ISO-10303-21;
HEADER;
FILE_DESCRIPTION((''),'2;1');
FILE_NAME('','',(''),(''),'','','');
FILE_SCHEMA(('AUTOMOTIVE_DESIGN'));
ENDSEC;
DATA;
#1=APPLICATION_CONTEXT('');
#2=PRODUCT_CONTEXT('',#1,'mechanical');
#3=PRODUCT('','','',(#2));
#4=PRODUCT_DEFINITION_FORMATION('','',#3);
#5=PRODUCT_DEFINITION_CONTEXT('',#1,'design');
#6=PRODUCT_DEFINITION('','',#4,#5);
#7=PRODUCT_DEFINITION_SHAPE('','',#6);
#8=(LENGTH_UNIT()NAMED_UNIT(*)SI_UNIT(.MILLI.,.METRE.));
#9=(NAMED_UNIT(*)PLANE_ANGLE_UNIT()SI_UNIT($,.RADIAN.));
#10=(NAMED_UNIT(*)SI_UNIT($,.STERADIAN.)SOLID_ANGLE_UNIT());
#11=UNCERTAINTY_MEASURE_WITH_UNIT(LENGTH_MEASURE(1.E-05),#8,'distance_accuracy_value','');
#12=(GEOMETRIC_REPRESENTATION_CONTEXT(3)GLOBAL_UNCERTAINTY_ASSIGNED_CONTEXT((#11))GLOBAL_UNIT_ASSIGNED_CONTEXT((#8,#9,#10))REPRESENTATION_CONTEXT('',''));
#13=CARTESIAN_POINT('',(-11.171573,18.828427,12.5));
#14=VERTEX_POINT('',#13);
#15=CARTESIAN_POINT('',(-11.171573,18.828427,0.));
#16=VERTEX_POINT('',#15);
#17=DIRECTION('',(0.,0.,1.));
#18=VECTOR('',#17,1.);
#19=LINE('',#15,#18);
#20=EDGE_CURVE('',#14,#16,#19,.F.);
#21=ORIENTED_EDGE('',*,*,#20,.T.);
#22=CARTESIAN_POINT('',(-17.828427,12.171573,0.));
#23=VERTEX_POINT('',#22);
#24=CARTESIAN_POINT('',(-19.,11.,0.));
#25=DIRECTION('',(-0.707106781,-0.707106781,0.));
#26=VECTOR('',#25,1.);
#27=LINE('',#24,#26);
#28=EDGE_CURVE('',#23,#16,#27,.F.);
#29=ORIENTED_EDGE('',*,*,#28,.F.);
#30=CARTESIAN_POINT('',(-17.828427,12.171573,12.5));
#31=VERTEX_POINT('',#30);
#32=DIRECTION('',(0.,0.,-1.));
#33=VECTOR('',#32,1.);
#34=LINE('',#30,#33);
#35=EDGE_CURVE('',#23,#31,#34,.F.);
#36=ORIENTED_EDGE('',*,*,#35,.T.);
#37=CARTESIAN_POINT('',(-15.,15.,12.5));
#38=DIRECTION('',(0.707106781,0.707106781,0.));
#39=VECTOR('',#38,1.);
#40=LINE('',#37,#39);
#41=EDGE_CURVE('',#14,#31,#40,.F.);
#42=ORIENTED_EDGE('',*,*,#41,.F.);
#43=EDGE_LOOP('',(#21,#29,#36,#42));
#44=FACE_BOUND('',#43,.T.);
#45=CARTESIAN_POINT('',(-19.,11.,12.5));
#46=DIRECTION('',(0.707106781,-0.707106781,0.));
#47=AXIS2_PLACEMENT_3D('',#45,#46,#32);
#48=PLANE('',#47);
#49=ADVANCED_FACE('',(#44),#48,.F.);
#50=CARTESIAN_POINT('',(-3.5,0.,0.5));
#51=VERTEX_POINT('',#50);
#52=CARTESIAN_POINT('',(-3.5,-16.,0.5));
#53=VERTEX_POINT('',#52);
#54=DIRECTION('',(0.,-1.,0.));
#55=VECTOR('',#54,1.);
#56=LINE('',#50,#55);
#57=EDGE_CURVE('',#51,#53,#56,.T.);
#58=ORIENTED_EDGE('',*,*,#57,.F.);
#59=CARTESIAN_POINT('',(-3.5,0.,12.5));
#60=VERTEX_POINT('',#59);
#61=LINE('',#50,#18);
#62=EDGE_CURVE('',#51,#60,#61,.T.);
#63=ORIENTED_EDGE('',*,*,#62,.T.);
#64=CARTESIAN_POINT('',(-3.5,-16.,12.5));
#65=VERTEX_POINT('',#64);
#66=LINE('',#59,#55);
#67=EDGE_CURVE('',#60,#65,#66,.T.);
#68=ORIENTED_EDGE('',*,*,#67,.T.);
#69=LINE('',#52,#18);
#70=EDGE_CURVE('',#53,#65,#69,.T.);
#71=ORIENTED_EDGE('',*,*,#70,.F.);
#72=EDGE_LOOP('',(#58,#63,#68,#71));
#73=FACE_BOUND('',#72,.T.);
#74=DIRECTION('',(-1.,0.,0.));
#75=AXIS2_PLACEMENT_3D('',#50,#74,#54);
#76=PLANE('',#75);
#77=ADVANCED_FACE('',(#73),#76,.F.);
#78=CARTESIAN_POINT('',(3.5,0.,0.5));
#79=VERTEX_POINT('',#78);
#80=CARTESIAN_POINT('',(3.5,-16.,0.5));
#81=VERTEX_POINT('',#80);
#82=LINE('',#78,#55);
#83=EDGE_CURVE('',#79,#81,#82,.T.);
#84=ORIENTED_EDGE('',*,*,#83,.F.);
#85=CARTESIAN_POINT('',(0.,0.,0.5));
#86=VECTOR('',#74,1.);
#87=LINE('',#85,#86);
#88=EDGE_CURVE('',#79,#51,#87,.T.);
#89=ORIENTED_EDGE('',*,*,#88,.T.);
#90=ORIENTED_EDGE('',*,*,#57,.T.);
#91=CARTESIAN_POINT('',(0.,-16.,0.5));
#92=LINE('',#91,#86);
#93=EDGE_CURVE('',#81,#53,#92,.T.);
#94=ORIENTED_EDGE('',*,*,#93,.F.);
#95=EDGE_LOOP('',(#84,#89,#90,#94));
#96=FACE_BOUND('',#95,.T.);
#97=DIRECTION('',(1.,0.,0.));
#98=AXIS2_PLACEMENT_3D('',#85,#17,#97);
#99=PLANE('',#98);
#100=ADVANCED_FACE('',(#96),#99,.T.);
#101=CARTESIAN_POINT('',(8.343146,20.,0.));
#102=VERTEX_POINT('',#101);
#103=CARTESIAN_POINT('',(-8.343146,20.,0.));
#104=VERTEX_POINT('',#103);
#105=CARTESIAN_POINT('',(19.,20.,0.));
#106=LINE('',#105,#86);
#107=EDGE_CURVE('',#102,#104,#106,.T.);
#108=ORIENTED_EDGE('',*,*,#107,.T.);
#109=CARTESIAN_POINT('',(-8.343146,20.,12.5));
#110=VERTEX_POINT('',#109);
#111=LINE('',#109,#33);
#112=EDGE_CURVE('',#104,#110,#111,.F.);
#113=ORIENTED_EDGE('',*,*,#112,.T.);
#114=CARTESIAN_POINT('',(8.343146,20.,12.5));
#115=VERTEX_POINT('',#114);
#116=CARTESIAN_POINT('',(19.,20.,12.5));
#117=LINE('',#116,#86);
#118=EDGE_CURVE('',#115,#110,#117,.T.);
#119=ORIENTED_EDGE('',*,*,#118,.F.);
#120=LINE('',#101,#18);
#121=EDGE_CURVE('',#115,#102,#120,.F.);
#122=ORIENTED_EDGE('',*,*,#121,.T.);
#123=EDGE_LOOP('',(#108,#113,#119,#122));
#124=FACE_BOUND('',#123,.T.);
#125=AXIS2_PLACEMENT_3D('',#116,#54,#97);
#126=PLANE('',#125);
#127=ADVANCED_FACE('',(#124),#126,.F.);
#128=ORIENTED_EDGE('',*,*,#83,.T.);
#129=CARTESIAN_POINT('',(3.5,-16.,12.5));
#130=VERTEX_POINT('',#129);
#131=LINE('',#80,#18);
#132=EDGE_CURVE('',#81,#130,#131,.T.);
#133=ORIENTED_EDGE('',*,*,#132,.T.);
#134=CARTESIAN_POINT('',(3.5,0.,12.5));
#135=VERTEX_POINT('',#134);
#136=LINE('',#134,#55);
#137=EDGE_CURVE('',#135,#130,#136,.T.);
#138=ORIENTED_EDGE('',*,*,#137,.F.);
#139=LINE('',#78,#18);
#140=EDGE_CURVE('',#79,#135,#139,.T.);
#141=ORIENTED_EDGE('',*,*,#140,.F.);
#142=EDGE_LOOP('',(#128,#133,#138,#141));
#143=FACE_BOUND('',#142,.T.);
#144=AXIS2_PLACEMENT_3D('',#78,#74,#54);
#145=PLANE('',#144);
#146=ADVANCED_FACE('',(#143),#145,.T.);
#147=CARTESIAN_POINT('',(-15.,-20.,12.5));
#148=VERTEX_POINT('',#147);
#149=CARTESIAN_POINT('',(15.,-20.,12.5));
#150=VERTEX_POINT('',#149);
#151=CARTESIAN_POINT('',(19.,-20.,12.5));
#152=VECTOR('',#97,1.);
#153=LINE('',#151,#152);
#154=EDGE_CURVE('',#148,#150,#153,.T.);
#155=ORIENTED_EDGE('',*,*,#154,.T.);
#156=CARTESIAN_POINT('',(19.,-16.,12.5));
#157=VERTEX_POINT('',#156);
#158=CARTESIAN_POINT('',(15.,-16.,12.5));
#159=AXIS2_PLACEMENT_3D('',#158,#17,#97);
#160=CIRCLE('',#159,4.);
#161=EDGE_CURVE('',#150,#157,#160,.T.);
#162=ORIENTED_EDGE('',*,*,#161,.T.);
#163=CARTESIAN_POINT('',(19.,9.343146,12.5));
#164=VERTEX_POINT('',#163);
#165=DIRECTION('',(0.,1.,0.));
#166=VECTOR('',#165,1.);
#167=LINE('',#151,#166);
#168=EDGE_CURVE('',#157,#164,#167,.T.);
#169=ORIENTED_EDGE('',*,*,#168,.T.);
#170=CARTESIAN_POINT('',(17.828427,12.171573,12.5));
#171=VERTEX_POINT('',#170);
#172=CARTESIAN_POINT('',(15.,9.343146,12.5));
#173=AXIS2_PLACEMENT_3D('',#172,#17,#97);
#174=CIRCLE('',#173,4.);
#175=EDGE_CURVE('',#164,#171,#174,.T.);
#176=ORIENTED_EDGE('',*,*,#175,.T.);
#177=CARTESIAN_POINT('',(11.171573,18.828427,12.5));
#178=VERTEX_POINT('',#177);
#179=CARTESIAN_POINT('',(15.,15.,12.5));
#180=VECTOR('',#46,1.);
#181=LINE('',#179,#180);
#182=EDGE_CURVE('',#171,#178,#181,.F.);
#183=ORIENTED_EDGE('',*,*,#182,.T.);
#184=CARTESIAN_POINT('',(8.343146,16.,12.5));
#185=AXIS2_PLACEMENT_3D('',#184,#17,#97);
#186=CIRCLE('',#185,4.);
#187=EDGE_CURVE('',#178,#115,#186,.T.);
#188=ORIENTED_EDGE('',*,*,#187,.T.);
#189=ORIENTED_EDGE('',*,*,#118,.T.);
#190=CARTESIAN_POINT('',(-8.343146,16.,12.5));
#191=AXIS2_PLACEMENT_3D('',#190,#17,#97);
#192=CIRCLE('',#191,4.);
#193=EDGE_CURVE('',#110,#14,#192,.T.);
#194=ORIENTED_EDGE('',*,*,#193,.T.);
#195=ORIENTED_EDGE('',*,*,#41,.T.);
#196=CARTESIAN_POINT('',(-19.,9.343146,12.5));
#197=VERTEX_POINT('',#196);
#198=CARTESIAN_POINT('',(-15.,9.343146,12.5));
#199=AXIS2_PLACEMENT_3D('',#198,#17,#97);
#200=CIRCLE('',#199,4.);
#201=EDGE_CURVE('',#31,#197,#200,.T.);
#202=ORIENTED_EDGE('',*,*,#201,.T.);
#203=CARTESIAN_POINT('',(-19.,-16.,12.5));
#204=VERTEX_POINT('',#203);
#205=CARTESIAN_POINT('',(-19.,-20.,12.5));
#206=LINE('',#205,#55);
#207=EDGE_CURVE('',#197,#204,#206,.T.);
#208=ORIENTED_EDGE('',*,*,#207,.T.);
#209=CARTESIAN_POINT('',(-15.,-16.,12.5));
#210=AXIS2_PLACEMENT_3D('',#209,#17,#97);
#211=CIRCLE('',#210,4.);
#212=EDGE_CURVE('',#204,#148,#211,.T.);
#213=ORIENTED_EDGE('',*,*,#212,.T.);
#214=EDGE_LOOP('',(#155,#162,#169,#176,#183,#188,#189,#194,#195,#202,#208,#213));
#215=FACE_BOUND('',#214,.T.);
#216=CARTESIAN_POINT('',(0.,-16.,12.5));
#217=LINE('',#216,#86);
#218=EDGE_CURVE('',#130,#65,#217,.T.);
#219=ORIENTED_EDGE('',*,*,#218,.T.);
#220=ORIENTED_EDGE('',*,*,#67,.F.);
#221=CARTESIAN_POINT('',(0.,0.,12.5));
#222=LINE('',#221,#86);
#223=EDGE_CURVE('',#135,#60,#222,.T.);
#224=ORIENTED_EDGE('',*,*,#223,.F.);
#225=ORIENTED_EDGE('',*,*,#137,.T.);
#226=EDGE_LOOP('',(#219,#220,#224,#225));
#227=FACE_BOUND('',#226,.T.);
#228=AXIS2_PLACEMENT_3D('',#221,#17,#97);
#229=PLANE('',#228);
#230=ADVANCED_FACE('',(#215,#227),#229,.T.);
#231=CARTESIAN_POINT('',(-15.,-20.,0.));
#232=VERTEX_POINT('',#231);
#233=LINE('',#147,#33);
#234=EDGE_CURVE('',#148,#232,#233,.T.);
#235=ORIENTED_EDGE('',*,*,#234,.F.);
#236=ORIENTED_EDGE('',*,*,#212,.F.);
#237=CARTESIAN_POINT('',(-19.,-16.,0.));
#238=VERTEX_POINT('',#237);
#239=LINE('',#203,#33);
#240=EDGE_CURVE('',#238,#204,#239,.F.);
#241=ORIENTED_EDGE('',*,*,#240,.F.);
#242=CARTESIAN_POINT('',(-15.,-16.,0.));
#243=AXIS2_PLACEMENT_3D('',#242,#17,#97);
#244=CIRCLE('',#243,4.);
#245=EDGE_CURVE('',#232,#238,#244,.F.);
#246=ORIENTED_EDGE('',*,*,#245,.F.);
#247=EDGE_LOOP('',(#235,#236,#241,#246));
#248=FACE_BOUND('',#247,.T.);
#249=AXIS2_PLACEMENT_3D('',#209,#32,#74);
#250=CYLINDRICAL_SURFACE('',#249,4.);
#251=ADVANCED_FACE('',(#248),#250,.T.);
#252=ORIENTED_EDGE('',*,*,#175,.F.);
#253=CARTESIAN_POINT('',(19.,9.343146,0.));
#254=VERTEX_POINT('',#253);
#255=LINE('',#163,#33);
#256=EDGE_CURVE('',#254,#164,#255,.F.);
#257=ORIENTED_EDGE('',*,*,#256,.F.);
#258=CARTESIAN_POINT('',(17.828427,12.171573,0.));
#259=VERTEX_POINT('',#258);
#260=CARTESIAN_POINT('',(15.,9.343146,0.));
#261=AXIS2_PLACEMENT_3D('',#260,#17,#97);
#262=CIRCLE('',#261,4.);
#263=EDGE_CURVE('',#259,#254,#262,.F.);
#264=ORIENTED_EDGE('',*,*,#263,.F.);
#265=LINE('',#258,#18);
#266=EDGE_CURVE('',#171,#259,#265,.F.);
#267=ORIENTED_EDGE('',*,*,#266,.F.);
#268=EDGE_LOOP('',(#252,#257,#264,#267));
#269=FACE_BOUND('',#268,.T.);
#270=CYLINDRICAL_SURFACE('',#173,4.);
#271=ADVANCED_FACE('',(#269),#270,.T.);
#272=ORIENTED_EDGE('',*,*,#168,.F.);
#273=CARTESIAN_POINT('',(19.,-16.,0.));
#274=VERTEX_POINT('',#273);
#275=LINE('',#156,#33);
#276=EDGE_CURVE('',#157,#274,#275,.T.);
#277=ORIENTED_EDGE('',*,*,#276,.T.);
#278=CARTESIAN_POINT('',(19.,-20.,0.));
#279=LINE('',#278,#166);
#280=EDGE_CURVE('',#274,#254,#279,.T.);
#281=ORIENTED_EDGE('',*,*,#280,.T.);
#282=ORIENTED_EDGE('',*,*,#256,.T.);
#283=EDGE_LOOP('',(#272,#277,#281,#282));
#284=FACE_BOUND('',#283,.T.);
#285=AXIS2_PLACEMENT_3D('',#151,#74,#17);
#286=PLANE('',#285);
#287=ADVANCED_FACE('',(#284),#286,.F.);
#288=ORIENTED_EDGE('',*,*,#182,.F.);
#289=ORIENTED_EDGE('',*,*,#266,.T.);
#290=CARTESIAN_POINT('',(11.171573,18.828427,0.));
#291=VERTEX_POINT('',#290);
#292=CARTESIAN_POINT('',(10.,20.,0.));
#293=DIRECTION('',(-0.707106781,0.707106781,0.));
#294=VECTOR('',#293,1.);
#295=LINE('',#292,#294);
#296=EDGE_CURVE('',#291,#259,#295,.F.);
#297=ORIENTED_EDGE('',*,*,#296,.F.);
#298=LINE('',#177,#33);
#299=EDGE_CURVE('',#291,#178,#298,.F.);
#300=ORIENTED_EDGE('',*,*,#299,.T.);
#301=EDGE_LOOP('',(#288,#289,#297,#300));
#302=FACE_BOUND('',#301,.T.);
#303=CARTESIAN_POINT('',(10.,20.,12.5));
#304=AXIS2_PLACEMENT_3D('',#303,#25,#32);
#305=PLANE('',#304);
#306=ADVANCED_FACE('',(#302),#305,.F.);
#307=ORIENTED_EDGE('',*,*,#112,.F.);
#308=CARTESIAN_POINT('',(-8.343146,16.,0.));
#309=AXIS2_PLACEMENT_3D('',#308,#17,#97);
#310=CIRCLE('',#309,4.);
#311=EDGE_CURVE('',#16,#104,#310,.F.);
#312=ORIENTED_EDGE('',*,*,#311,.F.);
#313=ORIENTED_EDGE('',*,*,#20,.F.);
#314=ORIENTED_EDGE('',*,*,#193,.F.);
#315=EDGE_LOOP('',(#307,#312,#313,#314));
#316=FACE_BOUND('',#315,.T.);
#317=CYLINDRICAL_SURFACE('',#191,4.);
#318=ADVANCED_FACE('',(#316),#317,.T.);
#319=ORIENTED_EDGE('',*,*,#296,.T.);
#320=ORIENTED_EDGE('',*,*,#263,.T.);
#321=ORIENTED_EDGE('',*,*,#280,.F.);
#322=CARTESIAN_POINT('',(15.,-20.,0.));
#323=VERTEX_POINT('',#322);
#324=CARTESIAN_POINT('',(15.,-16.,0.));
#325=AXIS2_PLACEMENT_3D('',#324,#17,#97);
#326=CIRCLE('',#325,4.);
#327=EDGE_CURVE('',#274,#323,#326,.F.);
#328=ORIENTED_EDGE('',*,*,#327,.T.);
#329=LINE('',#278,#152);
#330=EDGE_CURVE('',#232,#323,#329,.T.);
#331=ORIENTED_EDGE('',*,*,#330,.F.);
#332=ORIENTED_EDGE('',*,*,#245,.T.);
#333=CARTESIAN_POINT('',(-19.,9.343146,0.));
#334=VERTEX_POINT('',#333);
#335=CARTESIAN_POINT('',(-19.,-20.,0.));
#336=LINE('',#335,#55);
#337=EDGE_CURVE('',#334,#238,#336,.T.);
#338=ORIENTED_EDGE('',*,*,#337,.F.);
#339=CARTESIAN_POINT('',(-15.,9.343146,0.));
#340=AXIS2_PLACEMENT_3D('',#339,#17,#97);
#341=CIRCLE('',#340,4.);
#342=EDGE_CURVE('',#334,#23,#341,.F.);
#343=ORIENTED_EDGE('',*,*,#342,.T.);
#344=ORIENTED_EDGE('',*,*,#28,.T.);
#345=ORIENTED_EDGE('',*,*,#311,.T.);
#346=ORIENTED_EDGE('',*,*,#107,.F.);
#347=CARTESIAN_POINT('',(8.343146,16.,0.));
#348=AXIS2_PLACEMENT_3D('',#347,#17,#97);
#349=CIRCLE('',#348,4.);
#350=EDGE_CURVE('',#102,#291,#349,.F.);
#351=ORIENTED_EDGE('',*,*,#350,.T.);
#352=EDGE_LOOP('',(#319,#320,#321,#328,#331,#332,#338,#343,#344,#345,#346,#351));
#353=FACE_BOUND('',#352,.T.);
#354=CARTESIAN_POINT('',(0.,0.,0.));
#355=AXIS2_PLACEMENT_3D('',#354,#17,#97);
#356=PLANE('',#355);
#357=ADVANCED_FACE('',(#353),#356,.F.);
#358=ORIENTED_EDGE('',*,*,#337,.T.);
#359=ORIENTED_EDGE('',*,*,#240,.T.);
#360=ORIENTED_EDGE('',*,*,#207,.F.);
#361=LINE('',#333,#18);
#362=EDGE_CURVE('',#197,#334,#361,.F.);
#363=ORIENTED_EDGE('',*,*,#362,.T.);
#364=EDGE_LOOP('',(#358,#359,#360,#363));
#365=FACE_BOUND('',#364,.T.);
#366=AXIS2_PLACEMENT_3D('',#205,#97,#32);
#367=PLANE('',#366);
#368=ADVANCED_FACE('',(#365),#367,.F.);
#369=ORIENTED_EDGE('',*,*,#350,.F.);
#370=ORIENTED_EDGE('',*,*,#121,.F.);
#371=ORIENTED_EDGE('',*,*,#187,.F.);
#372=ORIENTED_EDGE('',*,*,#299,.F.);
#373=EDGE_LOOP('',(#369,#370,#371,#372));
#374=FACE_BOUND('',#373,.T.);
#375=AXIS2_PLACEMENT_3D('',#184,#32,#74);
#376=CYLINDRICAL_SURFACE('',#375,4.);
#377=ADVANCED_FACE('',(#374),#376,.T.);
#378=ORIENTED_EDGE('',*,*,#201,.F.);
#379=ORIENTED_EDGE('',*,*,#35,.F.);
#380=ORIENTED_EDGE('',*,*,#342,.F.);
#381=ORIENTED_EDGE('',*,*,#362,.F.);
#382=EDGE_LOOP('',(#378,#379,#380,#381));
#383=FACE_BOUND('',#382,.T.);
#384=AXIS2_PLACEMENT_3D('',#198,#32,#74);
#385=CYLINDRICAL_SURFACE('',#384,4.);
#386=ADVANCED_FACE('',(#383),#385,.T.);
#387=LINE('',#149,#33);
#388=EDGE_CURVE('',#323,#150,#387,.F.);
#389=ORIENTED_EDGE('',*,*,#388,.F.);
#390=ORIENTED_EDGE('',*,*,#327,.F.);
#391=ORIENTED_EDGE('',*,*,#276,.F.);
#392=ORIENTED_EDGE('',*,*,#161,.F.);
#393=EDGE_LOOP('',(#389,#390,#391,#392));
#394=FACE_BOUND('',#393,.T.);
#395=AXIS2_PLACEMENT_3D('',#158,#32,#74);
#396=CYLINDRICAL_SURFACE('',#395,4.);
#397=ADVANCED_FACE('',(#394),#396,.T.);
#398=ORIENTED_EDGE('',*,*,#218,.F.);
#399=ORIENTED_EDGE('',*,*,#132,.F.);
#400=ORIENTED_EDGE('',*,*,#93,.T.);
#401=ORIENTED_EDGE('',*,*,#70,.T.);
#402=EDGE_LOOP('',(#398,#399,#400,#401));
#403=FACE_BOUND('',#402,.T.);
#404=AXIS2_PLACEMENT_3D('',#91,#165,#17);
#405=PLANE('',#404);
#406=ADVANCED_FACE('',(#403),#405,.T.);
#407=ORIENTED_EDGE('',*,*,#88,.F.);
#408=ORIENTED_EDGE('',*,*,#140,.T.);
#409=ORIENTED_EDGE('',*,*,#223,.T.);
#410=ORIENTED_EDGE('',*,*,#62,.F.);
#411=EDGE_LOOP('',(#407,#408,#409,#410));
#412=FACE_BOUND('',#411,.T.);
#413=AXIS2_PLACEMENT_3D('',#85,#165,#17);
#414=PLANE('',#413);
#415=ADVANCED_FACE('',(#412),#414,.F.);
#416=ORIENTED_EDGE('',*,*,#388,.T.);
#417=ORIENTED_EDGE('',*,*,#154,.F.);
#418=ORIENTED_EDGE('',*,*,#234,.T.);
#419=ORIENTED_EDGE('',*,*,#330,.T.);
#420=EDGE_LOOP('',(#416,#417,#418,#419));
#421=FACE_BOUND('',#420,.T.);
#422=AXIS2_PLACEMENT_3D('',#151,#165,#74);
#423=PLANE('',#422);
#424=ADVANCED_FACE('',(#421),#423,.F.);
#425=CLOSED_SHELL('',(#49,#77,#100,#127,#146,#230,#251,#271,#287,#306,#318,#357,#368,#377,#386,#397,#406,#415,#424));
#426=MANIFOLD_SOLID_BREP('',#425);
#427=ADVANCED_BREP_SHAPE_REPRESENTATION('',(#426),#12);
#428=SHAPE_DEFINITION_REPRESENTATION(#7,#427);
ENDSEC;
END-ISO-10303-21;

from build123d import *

# Parameters (mm, degrees)
SKETCH1_W           = 38
SKETCH1_H           = 40
BOSS_EXTRUDE1_DEPTH = 12.5
SKETCH2_W           = 7
SKETCH2_H           = 16
CUT_EXTRUDE1_DEPTH  = 12
CHAMFER1_SIZE       = 9
FILLET1_R           = 4


with BuildPart() as part:
    # Sketch1 → Boss-Extrude1 (new body)
    with BuildSketch(Plane.XY):
        Rectangle(SKETCH1_W, SKETCH1_H)
    extrude(amount=BOSS_EXTRUDE1_DEPTH)

    # Sketch2 → Cut-Extrude1 (cut)
    with BuildSketch(Plane.XY.offset(12.5)):
        with Locations((0, -8)):
            Rectangle(SKETCH2_W, SKETCH2_H)
    extrude(amount=-CUT_EXTRUDE1_DEPTH, mode=Mode.SUBTRACT)

    # Chamfer1
    chamfer1_edges = [part.edges().sort_by_distance(p)[0] for p in [
        (-19, 20, 6.25),
        (19, 20, 6.25),
    ]]
    chamfer(chamfer1_edges, length=CHAMFER1_SIZE)

    # Fillet1
    fillet1_edges = [part.edges().sort_by_distance(p)[0] for p in [
        (-10, 20, 6.25),
        (10, 20, 6.25),
        (19, 11, 6.25),
        (-19, 11, 6.25),
        (19, -20, 6.25),
        (-19, -20, 6.25),
    ]]
    fillet(fillet1_edges, radius=FILLET1_R)


solid = part.part
